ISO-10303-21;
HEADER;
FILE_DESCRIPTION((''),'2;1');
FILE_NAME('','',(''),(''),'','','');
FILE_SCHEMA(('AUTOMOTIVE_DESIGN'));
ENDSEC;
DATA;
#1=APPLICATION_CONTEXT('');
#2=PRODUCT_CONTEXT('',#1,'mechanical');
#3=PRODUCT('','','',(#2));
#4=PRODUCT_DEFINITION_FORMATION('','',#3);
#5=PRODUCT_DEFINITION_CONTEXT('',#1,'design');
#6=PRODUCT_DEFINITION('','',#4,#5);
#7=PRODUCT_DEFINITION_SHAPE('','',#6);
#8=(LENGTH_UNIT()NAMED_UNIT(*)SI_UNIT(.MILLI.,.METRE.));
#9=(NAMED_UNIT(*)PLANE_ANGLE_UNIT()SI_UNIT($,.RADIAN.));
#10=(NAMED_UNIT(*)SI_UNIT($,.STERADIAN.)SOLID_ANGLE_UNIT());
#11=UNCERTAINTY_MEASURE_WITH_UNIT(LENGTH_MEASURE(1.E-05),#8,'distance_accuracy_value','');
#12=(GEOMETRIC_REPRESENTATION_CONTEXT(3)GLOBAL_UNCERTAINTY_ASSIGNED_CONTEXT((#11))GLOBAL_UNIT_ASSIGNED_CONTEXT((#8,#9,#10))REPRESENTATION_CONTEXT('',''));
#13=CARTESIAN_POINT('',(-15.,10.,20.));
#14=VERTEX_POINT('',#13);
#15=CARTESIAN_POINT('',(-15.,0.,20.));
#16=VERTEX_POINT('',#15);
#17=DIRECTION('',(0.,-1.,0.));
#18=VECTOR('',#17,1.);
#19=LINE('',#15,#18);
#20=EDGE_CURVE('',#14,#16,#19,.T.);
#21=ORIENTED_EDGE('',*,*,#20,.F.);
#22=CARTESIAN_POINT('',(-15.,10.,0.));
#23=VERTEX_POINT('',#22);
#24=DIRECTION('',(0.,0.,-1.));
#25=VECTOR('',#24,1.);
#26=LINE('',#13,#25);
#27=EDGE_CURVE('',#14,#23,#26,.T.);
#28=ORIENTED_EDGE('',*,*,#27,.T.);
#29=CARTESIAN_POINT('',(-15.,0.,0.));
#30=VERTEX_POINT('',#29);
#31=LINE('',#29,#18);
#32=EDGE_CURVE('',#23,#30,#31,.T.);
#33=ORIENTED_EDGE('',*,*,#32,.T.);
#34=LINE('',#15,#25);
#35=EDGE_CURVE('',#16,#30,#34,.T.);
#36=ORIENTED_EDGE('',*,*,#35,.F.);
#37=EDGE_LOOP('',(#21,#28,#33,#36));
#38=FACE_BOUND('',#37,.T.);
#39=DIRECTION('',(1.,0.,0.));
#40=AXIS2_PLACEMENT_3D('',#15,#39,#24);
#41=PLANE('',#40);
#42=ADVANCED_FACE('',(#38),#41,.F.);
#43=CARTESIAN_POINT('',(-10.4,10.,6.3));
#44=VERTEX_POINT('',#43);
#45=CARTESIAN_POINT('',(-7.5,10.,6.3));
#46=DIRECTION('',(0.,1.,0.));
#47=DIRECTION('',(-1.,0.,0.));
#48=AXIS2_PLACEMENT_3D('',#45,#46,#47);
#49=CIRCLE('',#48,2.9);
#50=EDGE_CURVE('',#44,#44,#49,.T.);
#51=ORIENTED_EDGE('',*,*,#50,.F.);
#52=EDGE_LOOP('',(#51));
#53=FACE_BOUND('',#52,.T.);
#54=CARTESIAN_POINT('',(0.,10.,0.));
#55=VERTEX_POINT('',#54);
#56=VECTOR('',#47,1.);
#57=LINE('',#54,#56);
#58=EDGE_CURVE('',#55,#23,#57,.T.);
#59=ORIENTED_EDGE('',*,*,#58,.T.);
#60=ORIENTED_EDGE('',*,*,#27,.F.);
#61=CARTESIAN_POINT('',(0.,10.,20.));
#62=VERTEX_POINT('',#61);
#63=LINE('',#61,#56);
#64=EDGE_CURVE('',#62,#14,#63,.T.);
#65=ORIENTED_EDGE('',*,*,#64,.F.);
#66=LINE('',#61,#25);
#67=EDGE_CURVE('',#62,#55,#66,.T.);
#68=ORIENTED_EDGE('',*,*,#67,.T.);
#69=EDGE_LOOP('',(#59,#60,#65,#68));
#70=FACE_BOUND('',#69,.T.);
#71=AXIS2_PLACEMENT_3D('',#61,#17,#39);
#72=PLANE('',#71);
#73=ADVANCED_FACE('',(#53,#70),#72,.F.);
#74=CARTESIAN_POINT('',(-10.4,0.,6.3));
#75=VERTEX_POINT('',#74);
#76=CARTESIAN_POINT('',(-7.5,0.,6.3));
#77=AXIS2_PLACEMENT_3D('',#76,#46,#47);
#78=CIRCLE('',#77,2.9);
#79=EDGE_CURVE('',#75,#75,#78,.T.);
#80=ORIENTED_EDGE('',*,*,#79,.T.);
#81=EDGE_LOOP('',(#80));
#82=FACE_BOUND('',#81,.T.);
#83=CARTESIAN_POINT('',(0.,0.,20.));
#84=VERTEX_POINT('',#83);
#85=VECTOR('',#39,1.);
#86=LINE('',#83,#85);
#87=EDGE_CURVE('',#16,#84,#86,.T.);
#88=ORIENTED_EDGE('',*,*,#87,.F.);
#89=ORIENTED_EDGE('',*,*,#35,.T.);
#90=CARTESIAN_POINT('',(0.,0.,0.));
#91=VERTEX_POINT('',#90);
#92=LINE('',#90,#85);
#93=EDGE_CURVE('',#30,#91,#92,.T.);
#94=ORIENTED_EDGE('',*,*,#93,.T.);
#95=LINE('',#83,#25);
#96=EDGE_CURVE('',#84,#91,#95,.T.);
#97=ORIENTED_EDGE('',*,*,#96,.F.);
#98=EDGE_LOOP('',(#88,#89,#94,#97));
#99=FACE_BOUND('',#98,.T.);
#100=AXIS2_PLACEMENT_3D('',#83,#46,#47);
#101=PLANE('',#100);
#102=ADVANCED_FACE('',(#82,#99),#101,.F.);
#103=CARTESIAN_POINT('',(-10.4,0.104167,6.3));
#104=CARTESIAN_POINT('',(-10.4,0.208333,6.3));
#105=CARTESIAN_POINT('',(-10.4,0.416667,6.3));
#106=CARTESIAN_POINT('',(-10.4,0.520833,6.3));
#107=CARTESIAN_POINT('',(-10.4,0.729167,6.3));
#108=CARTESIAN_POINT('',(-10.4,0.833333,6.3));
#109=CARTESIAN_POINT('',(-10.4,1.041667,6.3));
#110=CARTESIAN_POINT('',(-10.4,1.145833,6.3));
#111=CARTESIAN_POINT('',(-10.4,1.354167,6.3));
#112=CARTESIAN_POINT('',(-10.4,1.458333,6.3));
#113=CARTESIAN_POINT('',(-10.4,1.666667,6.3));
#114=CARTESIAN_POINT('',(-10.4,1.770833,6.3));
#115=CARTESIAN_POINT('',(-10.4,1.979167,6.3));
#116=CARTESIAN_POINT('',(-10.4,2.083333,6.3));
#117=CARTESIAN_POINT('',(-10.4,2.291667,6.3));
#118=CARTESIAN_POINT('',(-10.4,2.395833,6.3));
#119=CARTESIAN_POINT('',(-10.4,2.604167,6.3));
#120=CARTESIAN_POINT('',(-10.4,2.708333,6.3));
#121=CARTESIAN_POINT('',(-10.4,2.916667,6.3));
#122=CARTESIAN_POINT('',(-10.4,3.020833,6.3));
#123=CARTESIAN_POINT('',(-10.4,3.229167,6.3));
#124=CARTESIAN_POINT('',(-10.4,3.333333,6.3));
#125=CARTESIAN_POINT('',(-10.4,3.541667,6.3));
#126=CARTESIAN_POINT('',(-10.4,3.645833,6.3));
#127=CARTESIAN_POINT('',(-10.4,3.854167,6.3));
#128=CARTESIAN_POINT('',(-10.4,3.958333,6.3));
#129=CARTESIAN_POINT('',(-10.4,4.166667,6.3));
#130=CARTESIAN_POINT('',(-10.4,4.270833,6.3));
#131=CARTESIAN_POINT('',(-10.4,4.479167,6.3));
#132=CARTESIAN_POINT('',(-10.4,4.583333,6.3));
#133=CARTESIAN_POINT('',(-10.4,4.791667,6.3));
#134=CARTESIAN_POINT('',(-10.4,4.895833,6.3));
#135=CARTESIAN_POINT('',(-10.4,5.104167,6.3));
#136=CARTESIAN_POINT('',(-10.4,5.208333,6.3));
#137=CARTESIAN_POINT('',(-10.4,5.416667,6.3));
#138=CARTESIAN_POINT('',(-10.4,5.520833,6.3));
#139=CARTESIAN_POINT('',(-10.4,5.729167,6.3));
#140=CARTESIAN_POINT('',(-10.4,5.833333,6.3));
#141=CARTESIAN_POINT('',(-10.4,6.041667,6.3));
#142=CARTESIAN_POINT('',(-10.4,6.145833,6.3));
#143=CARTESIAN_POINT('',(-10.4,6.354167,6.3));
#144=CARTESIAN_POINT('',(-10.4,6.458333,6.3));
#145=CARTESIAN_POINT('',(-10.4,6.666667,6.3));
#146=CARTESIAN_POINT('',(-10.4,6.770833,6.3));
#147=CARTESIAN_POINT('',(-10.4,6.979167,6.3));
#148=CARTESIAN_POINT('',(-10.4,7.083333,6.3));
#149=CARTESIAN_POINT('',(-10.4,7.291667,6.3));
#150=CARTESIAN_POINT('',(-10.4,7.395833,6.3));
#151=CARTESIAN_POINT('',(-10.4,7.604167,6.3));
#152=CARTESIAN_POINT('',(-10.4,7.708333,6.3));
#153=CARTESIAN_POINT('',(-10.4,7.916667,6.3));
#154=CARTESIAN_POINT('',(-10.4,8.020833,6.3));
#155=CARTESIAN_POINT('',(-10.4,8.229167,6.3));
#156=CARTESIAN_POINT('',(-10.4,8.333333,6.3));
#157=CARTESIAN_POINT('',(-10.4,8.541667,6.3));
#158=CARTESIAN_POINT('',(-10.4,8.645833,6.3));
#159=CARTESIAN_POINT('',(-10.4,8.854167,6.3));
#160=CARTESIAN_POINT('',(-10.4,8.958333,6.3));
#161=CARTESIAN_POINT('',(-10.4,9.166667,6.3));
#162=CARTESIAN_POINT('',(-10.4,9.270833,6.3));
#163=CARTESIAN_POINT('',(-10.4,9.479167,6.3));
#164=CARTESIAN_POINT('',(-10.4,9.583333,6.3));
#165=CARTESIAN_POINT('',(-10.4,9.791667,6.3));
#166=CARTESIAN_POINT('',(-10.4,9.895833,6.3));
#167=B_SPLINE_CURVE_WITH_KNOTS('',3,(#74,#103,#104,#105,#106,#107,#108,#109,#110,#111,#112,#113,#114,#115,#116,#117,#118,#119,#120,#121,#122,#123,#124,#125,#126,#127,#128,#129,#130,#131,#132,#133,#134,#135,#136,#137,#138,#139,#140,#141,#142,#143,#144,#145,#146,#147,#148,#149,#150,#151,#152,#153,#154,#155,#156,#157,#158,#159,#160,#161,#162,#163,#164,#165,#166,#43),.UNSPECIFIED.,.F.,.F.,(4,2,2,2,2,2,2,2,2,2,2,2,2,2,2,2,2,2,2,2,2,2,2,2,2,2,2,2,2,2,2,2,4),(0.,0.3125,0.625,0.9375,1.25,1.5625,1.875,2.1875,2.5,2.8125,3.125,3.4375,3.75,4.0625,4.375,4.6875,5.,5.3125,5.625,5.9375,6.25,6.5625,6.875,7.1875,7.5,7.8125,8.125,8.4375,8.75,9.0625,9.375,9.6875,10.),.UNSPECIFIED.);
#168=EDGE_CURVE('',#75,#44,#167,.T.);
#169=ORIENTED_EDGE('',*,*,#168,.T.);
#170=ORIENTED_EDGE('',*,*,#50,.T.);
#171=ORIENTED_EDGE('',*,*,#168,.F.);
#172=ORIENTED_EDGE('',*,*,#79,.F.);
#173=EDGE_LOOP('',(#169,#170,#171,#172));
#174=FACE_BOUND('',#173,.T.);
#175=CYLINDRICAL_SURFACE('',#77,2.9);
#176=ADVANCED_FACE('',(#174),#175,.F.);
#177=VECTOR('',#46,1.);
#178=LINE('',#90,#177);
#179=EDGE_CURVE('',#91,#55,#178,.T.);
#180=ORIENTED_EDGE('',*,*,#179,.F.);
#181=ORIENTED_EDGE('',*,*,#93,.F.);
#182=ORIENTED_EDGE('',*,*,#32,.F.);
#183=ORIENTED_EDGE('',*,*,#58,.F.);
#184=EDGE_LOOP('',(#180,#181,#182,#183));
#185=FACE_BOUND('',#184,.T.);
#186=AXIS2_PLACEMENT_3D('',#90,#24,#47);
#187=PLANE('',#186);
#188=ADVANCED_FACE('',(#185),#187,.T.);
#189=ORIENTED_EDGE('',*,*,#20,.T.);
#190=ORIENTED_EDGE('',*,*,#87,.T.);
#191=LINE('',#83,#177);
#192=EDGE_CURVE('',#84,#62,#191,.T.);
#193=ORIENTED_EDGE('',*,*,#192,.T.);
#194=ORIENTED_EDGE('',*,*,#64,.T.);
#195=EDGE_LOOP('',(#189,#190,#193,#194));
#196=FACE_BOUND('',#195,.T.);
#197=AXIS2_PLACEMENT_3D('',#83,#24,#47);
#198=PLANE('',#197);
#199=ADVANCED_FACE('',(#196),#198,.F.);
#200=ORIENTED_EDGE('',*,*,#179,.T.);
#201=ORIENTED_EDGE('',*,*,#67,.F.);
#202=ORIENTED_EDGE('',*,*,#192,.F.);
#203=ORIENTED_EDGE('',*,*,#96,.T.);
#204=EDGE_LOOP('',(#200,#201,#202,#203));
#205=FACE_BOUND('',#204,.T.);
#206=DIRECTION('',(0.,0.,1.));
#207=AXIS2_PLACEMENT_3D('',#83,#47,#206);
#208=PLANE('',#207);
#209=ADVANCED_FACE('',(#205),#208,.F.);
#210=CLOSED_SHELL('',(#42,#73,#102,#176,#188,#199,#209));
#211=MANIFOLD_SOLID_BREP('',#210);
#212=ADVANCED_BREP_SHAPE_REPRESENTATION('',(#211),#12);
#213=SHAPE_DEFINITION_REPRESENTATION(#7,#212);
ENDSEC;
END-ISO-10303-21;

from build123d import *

# Parameters (mm, degrees)
SKETCH1_W           = 10
SKETCH1_H           = 15
BOSS_EXTRUDE1_DEPTH = 20
SKETCH3_R           = 2.9
CUT_EXTRUDE1_DEPTH  = 27.925824036


with BuildPart() as part:
    # Sketch1 → Boss-Extrude1 (new body)
    with BuildSketch(Plane(origin=(0, 0, 0), x_dir=(0, 1, 0), z_dir=(0, 0, 1))):
        with Locations((5, 7.5)):
            Rectangle(SKETCH1_W, SKETCH1_H)
    extrude(amount=BOSS_EXTRUDE1_DEPTH)

    # Sketch3 → Cut-Extrude1 (cut, through all)
    with BuildSketch(Plane(origin=(0, 10, 0), x_dir=(1, 0, 0), z_dir=(0, 1, 0))):
        with Locations(Location((-7.5, -6.3, 0), (0, 0, 180))):
            Circle(SKETCH3_R)
    extrude(amount=-CUT_EXTRUDE1_DEPTH, mode=Mode.SUBTRACT)


solid = part.part
